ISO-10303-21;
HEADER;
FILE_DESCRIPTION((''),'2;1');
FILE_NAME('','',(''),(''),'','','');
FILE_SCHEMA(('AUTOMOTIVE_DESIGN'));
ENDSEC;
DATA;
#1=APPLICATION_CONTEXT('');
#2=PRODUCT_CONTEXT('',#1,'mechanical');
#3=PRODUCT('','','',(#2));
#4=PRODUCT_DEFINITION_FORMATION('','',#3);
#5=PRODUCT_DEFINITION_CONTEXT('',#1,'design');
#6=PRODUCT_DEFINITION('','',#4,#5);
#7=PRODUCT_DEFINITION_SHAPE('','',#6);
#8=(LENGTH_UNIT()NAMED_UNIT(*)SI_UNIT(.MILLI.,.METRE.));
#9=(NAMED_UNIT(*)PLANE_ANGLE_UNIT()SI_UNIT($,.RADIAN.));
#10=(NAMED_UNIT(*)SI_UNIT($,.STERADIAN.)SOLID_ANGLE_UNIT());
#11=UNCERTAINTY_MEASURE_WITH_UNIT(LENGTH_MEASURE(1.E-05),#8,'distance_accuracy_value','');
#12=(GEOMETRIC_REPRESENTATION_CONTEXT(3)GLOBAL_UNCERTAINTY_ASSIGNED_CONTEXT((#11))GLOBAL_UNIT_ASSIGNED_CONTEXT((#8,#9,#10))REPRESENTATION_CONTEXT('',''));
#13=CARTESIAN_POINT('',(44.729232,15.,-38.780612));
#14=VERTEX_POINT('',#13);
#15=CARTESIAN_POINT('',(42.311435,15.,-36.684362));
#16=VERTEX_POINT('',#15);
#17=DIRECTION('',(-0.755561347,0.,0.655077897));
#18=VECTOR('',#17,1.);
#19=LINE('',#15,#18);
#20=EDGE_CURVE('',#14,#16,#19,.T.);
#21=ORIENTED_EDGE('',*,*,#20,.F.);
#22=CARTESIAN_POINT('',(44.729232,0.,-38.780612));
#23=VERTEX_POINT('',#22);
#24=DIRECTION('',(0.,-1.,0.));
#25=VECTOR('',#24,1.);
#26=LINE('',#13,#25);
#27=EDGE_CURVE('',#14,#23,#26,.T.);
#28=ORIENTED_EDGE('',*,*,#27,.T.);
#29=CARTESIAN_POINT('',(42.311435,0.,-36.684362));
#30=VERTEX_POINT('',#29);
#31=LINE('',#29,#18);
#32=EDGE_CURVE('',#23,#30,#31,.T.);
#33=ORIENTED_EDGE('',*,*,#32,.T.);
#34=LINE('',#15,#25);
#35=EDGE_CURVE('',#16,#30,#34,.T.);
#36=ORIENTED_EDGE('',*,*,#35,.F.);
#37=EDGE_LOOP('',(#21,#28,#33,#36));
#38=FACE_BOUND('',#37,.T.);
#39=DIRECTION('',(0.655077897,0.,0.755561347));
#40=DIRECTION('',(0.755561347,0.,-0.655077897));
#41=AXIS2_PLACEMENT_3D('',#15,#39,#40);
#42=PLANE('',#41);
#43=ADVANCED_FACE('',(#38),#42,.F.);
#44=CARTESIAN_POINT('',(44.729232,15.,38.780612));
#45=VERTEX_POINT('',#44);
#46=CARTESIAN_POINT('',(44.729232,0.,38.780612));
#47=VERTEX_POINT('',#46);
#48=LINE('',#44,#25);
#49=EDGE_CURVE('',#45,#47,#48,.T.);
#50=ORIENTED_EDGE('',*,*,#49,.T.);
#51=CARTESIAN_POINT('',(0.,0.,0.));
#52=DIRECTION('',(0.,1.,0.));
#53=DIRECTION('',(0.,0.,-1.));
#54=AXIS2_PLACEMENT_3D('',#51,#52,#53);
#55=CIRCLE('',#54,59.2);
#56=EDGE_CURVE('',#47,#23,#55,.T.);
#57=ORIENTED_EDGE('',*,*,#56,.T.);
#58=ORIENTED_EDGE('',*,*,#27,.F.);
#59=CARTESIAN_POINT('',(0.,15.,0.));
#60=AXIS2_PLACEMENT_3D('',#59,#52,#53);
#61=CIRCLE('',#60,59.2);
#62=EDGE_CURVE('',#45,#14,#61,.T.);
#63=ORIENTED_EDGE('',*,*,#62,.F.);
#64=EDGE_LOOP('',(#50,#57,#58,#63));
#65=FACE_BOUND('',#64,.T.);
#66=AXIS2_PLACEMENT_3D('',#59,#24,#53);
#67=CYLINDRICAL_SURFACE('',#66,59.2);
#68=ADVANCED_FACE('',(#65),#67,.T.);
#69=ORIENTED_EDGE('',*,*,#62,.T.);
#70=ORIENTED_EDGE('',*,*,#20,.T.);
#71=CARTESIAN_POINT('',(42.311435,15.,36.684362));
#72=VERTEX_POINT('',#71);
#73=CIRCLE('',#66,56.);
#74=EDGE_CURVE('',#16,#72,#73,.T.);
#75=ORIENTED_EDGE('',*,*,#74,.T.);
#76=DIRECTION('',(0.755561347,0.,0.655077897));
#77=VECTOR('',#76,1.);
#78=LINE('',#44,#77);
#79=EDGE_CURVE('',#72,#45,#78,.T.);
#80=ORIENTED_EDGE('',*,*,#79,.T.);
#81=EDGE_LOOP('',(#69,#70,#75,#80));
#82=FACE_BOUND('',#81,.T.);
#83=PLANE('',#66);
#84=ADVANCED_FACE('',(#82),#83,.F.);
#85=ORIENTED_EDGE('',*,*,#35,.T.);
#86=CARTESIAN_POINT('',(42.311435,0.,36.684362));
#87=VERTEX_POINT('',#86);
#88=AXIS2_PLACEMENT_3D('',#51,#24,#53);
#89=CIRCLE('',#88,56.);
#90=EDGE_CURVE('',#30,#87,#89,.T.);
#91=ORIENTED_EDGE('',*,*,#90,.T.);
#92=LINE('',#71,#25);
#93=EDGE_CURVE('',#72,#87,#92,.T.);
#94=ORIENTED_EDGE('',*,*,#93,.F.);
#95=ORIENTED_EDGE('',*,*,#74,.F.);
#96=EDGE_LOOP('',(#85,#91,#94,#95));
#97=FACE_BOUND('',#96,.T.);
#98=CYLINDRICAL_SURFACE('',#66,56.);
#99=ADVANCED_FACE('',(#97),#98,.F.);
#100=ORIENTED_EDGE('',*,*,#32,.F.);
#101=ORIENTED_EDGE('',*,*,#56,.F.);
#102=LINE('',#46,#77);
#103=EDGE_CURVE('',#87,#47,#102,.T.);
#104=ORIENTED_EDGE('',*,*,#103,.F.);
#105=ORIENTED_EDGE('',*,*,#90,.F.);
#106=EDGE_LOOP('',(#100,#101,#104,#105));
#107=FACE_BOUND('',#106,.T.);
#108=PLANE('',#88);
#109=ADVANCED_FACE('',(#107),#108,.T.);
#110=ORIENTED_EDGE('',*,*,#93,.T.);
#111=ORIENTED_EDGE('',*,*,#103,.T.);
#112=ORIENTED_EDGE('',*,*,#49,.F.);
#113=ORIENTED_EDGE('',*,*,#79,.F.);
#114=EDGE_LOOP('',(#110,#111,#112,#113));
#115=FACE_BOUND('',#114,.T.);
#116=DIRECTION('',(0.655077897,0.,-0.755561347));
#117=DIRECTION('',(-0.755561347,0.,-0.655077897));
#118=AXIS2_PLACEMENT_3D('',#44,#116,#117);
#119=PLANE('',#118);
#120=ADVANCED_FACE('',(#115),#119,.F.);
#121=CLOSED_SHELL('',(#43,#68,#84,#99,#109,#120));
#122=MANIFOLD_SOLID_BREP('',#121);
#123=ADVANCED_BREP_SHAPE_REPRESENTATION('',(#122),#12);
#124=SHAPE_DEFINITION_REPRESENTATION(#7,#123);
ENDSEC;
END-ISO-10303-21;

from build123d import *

# Parameters (mm, degrees)
BOSS_EXTRUDE1_DEPTH = 15


with BuildPart() as part:
    # Sketch1 → Boss-Extrude1 (new body)
    with BuildSketch(Plane(origin=(0, 0, 0), x_dir=(1, 0, 0), z_dir=(0, 1, 0))):
        with BuildLine():
            Line((42.311435415, 36.684362242), (44.729231725, 38.780611513))
            ThreePointArc((44.729231725, 38.780611513), (59.2, 0), (44.729231725, -38.780611513))
            Line((44.729231725, -38.780611513), (42.311435415, -36.684362242))
            ThreePointArc((42.311435415, -36.684362242), (56, 0), (42.311435415, 36.684362242))
        make_face()
    extrude(amount=BOSS_EXTRUDE1_DEPTH)


solid = part.part
